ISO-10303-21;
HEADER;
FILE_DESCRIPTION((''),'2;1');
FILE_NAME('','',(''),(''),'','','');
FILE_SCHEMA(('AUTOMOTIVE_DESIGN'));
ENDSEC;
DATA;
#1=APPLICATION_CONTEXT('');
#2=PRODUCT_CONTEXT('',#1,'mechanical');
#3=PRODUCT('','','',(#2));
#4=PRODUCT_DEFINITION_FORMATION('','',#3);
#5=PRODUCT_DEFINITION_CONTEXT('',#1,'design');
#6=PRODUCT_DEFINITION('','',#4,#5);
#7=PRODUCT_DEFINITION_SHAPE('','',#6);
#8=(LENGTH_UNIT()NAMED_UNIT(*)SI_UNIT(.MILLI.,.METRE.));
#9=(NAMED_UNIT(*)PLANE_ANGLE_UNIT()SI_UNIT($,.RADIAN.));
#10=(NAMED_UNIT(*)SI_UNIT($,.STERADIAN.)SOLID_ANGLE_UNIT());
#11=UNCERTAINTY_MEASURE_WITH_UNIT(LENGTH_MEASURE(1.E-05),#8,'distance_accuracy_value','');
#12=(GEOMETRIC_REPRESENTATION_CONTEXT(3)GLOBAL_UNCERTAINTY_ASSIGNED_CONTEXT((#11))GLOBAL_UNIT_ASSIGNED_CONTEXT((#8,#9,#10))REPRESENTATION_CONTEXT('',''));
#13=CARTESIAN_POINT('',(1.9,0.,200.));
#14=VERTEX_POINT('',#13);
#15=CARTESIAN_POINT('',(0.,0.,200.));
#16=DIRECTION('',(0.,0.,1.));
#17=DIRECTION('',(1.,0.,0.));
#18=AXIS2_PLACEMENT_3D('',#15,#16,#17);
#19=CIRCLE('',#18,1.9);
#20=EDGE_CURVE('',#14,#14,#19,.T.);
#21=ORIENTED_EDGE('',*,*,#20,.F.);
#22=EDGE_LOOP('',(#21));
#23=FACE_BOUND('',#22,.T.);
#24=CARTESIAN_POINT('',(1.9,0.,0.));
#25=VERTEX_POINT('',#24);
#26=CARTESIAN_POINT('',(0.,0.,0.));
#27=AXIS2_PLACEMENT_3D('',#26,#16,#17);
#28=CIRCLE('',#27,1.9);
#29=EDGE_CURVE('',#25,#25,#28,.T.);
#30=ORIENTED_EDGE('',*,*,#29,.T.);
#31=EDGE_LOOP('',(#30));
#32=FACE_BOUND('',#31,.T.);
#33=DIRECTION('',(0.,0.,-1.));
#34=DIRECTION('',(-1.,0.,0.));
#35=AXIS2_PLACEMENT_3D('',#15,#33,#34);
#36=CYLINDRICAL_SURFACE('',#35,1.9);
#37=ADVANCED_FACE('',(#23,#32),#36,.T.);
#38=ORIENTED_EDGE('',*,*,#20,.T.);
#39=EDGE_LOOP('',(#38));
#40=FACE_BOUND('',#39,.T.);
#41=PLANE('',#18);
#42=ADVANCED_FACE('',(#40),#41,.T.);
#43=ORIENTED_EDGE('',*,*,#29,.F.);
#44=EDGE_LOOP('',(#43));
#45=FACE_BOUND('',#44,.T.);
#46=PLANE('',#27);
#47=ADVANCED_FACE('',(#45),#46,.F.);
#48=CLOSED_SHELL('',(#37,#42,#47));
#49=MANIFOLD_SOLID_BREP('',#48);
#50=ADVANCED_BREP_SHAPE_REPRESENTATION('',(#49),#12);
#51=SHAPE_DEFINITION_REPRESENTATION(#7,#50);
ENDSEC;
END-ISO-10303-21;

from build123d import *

# Parameters (mm, degrees)
ESQUISSE1_R        = 1.9
BOSS_EXTRU_1_DEPTH = 200


with BuildPart() as part:
    # Esquisse1 → Boss.-Extru.1 (new body)
    with BuildSketch(Plane.XY):
        Circle(ESQUISSE1_R)
    extrude(amount=BOSS_EXTRU_1_DEPTH)


solid = part.part
